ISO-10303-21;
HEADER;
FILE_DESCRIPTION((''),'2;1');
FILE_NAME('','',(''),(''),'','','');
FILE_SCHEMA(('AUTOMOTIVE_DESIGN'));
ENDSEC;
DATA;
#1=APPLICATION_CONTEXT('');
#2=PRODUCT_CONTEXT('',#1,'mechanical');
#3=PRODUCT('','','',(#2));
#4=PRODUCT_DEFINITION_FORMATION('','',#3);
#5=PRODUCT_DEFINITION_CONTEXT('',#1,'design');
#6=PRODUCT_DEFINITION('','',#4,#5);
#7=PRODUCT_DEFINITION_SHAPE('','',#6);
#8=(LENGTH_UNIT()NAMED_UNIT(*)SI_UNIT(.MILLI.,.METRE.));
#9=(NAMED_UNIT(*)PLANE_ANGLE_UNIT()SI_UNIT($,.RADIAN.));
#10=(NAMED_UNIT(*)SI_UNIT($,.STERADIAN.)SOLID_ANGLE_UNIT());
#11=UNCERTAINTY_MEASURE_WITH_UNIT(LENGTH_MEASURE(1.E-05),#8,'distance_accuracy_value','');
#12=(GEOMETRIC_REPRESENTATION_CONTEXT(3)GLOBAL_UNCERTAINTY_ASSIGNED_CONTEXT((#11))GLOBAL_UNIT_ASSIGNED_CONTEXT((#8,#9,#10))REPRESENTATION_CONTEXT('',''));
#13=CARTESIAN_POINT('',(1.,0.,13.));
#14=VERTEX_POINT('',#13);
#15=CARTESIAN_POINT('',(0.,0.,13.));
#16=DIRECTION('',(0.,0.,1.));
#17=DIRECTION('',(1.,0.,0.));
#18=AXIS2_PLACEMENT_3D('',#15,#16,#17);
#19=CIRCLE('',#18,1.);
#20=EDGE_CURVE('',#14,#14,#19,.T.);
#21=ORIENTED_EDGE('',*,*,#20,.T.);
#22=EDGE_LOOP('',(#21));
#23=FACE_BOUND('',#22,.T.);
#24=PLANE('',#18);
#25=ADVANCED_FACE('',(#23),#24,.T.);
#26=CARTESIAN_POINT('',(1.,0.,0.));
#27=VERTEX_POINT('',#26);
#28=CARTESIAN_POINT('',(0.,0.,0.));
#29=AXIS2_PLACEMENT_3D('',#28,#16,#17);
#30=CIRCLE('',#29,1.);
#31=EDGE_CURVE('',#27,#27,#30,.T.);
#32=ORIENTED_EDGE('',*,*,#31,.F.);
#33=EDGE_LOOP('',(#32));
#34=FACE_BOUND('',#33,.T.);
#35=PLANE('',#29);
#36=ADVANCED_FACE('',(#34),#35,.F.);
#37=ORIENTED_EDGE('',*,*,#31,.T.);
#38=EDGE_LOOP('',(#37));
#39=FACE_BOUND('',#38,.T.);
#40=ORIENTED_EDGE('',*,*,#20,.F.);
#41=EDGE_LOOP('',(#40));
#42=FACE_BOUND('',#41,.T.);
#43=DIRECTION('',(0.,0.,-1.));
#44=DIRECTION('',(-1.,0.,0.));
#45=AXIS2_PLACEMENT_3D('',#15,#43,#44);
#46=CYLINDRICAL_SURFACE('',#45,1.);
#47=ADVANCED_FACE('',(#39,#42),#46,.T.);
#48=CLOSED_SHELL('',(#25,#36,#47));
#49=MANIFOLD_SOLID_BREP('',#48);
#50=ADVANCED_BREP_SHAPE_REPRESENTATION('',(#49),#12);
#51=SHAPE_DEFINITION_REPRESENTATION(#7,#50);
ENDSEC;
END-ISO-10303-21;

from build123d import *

# Parameters (mm, degrees)
SKETCH1_R           = 1
BOSS_EXTRUDE1_DEPTH = 13


with BuildPart() as part:
    # Sketch1 → Boss-Extrude1 (new body)
    with BuildSketch(Plane.XY):
        Circle(SKETCH1_R)
    extrude(amount=BOSS_EXTRUDE1_DEPTH)


solid = part.part
